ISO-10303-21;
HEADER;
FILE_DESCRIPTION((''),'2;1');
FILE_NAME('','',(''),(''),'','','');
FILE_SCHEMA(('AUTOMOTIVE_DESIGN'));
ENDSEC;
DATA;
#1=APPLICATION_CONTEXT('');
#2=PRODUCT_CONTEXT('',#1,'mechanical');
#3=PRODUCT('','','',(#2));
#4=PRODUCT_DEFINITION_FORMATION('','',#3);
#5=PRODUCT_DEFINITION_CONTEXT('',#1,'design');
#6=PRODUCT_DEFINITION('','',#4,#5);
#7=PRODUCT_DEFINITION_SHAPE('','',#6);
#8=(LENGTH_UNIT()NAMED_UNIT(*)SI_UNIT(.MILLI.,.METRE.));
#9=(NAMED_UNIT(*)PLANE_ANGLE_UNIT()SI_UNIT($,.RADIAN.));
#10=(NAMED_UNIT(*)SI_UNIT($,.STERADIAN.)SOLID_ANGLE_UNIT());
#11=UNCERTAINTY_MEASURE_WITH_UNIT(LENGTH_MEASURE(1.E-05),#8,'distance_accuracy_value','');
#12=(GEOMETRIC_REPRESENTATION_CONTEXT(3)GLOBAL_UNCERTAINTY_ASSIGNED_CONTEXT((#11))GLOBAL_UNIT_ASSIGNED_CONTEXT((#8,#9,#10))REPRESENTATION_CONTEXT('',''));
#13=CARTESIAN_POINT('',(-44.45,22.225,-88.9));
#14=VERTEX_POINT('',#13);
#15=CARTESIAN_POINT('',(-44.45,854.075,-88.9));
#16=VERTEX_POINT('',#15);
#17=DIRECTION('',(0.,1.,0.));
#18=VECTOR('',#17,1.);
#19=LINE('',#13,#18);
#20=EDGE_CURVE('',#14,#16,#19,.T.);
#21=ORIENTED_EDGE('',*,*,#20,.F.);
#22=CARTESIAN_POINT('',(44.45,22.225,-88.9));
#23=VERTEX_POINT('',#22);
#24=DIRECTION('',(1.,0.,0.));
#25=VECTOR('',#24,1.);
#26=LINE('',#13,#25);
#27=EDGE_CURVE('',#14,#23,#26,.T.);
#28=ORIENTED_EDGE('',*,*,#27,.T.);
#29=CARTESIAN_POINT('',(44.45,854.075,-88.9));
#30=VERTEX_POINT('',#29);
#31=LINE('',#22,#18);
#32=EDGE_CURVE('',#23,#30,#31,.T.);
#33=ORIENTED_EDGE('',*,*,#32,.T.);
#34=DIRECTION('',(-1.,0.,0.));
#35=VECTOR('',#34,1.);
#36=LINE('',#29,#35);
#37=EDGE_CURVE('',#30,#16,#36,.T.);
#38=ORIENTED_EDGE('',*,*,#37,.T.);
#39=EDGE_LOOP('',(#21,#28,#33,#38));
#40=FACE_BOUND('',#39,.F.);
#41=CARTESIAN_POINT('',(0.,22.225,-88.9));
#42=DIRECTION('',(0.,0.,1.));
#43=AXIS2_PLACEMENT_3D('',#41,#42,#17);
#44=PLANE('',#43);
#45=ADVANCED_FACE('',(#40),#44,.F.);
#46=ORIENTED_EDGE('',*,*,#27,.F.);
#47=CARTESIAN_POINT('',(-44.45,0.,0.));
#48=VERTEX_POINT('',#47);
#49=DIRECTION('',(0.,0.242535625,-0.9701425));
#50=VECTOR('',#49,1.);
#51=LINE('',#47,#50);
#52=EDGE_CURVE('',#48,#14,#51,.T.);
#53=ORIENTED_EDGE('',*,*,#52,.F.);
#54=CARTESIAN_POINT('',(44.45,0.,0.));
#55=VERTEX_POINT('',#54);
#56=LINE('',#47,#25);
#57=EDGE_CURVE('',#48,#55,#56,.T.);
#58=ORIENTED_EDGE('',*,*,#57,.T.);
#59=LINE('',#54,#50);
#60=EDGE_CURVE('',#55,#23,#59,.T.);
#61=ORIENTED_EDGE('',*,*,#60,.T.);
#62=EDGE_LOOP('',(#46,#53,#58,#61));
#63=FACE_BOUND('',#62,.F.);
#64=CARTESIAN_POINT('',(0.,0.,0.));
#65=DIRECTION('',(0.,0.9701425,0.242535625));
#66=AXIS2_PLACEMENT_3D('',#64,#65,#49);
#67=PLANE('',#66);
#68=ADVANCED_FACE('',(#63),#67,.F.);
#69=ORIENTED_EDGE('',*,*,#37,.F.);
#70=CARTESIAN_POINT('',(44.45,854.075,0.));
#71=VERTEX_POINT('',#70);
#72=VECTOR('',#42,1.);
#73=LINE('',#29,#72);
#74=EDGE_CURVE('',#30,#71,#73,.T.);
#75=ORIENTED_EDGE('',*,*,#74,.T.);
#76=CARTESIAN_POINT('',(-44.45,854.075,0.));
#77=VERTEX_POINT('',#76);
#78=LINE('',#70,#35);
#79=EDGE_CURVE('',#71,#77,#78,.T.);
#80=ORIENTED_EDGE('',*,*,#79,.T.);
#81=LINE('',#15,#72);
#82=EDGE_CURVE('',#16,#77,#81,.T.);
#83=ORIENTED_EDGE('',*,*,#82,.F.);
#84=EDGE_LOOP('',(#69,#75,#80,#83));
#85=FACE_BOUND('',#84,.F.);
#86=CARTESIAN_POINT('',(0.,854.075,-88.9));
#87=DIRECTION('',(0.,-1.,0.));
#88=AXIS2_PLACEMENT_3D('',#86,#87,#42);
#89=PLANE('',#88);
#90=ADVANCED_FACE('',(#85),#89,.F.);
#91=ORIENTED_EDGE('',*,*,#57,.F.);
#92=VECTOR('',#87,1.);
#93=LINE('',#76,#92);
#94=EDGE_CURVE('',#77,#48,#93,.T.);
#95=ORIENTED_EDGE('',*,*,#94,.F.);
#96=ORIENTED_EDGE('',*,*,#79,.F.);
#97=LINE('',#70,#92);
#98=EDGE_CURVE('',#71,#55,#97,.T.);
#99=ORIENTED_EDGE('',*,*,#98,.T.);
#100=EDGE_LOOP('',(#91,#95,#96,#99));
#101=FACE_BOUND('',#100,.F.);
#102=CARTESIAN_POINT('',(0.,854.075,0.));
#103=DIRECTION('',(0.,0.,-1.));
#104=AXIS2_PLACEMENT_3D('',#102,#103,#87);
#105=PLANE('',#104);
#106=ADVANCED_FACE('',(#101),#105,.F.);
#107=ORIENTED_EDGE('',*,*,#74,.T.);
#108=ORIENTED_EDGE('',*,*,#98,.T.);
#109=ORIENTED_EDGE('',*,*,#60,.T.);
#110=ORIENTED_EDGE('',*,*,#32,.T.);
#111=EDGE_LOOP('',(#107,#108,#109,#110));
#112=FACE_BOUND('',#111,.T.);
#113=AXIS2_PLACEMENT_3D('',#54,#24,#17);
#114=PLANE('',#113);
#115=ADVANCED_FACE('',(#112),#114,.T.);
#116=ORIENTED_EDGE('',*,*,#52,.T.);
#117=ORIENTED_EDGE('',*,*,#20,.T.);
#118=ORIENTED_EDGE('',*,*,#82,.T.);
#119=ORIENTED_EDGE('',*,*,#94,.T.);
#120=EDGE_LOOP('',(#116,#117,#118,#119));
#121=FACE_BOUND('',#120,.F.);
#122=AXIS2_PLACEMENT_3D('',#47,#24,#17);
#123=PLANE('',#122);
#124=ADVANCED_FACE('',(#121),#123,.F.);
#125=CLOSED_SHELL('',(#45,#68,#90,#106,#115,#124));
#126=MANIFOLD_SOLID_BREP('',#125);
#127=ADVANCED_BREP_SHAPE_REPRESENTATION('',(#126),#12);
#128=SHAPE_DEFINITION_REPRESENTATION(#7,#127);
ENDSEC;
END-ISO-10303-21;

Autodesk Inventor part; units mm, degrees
ref_plane "YZ Plane" through (0, 0, 0) normal (1, 0, 0) x (0, 1, 0)
ref_plane "XZ Plane" through (0, 0, 0) normal (0, 1, 0) x (-1, 0, 0)
ref_plane "XY Plane" through (0, 0, 0) normal (0, 0, 1) x (1, 0, 0)
sketch "Sketch1" plane through (0, 0, 0) normal (1, 0, 0) x (0, 1, 0)
  line L0 (0, 0) -> (22.225, -88.9)
  line L1 (22.225, -88.9) -> (854.075, -88.9)
  line L2 (854.075, -88.9) -> (854.075, 0)
  line L3 (854.075, 0) -> (0, 0)
  line L4 (0, 0) -> (0, -88.9) construction
  dimension "width" = 88.9
  dimension "roofAngle" = 14.036
  dimension "height" = 854.075
extrude "Extrusion1" add sketch "Sketch1" along normal mid plane 88.9
equation "\"d3\" = width"
properties part number "4x4x33-5_8-post" material "Wood (Birch)"
